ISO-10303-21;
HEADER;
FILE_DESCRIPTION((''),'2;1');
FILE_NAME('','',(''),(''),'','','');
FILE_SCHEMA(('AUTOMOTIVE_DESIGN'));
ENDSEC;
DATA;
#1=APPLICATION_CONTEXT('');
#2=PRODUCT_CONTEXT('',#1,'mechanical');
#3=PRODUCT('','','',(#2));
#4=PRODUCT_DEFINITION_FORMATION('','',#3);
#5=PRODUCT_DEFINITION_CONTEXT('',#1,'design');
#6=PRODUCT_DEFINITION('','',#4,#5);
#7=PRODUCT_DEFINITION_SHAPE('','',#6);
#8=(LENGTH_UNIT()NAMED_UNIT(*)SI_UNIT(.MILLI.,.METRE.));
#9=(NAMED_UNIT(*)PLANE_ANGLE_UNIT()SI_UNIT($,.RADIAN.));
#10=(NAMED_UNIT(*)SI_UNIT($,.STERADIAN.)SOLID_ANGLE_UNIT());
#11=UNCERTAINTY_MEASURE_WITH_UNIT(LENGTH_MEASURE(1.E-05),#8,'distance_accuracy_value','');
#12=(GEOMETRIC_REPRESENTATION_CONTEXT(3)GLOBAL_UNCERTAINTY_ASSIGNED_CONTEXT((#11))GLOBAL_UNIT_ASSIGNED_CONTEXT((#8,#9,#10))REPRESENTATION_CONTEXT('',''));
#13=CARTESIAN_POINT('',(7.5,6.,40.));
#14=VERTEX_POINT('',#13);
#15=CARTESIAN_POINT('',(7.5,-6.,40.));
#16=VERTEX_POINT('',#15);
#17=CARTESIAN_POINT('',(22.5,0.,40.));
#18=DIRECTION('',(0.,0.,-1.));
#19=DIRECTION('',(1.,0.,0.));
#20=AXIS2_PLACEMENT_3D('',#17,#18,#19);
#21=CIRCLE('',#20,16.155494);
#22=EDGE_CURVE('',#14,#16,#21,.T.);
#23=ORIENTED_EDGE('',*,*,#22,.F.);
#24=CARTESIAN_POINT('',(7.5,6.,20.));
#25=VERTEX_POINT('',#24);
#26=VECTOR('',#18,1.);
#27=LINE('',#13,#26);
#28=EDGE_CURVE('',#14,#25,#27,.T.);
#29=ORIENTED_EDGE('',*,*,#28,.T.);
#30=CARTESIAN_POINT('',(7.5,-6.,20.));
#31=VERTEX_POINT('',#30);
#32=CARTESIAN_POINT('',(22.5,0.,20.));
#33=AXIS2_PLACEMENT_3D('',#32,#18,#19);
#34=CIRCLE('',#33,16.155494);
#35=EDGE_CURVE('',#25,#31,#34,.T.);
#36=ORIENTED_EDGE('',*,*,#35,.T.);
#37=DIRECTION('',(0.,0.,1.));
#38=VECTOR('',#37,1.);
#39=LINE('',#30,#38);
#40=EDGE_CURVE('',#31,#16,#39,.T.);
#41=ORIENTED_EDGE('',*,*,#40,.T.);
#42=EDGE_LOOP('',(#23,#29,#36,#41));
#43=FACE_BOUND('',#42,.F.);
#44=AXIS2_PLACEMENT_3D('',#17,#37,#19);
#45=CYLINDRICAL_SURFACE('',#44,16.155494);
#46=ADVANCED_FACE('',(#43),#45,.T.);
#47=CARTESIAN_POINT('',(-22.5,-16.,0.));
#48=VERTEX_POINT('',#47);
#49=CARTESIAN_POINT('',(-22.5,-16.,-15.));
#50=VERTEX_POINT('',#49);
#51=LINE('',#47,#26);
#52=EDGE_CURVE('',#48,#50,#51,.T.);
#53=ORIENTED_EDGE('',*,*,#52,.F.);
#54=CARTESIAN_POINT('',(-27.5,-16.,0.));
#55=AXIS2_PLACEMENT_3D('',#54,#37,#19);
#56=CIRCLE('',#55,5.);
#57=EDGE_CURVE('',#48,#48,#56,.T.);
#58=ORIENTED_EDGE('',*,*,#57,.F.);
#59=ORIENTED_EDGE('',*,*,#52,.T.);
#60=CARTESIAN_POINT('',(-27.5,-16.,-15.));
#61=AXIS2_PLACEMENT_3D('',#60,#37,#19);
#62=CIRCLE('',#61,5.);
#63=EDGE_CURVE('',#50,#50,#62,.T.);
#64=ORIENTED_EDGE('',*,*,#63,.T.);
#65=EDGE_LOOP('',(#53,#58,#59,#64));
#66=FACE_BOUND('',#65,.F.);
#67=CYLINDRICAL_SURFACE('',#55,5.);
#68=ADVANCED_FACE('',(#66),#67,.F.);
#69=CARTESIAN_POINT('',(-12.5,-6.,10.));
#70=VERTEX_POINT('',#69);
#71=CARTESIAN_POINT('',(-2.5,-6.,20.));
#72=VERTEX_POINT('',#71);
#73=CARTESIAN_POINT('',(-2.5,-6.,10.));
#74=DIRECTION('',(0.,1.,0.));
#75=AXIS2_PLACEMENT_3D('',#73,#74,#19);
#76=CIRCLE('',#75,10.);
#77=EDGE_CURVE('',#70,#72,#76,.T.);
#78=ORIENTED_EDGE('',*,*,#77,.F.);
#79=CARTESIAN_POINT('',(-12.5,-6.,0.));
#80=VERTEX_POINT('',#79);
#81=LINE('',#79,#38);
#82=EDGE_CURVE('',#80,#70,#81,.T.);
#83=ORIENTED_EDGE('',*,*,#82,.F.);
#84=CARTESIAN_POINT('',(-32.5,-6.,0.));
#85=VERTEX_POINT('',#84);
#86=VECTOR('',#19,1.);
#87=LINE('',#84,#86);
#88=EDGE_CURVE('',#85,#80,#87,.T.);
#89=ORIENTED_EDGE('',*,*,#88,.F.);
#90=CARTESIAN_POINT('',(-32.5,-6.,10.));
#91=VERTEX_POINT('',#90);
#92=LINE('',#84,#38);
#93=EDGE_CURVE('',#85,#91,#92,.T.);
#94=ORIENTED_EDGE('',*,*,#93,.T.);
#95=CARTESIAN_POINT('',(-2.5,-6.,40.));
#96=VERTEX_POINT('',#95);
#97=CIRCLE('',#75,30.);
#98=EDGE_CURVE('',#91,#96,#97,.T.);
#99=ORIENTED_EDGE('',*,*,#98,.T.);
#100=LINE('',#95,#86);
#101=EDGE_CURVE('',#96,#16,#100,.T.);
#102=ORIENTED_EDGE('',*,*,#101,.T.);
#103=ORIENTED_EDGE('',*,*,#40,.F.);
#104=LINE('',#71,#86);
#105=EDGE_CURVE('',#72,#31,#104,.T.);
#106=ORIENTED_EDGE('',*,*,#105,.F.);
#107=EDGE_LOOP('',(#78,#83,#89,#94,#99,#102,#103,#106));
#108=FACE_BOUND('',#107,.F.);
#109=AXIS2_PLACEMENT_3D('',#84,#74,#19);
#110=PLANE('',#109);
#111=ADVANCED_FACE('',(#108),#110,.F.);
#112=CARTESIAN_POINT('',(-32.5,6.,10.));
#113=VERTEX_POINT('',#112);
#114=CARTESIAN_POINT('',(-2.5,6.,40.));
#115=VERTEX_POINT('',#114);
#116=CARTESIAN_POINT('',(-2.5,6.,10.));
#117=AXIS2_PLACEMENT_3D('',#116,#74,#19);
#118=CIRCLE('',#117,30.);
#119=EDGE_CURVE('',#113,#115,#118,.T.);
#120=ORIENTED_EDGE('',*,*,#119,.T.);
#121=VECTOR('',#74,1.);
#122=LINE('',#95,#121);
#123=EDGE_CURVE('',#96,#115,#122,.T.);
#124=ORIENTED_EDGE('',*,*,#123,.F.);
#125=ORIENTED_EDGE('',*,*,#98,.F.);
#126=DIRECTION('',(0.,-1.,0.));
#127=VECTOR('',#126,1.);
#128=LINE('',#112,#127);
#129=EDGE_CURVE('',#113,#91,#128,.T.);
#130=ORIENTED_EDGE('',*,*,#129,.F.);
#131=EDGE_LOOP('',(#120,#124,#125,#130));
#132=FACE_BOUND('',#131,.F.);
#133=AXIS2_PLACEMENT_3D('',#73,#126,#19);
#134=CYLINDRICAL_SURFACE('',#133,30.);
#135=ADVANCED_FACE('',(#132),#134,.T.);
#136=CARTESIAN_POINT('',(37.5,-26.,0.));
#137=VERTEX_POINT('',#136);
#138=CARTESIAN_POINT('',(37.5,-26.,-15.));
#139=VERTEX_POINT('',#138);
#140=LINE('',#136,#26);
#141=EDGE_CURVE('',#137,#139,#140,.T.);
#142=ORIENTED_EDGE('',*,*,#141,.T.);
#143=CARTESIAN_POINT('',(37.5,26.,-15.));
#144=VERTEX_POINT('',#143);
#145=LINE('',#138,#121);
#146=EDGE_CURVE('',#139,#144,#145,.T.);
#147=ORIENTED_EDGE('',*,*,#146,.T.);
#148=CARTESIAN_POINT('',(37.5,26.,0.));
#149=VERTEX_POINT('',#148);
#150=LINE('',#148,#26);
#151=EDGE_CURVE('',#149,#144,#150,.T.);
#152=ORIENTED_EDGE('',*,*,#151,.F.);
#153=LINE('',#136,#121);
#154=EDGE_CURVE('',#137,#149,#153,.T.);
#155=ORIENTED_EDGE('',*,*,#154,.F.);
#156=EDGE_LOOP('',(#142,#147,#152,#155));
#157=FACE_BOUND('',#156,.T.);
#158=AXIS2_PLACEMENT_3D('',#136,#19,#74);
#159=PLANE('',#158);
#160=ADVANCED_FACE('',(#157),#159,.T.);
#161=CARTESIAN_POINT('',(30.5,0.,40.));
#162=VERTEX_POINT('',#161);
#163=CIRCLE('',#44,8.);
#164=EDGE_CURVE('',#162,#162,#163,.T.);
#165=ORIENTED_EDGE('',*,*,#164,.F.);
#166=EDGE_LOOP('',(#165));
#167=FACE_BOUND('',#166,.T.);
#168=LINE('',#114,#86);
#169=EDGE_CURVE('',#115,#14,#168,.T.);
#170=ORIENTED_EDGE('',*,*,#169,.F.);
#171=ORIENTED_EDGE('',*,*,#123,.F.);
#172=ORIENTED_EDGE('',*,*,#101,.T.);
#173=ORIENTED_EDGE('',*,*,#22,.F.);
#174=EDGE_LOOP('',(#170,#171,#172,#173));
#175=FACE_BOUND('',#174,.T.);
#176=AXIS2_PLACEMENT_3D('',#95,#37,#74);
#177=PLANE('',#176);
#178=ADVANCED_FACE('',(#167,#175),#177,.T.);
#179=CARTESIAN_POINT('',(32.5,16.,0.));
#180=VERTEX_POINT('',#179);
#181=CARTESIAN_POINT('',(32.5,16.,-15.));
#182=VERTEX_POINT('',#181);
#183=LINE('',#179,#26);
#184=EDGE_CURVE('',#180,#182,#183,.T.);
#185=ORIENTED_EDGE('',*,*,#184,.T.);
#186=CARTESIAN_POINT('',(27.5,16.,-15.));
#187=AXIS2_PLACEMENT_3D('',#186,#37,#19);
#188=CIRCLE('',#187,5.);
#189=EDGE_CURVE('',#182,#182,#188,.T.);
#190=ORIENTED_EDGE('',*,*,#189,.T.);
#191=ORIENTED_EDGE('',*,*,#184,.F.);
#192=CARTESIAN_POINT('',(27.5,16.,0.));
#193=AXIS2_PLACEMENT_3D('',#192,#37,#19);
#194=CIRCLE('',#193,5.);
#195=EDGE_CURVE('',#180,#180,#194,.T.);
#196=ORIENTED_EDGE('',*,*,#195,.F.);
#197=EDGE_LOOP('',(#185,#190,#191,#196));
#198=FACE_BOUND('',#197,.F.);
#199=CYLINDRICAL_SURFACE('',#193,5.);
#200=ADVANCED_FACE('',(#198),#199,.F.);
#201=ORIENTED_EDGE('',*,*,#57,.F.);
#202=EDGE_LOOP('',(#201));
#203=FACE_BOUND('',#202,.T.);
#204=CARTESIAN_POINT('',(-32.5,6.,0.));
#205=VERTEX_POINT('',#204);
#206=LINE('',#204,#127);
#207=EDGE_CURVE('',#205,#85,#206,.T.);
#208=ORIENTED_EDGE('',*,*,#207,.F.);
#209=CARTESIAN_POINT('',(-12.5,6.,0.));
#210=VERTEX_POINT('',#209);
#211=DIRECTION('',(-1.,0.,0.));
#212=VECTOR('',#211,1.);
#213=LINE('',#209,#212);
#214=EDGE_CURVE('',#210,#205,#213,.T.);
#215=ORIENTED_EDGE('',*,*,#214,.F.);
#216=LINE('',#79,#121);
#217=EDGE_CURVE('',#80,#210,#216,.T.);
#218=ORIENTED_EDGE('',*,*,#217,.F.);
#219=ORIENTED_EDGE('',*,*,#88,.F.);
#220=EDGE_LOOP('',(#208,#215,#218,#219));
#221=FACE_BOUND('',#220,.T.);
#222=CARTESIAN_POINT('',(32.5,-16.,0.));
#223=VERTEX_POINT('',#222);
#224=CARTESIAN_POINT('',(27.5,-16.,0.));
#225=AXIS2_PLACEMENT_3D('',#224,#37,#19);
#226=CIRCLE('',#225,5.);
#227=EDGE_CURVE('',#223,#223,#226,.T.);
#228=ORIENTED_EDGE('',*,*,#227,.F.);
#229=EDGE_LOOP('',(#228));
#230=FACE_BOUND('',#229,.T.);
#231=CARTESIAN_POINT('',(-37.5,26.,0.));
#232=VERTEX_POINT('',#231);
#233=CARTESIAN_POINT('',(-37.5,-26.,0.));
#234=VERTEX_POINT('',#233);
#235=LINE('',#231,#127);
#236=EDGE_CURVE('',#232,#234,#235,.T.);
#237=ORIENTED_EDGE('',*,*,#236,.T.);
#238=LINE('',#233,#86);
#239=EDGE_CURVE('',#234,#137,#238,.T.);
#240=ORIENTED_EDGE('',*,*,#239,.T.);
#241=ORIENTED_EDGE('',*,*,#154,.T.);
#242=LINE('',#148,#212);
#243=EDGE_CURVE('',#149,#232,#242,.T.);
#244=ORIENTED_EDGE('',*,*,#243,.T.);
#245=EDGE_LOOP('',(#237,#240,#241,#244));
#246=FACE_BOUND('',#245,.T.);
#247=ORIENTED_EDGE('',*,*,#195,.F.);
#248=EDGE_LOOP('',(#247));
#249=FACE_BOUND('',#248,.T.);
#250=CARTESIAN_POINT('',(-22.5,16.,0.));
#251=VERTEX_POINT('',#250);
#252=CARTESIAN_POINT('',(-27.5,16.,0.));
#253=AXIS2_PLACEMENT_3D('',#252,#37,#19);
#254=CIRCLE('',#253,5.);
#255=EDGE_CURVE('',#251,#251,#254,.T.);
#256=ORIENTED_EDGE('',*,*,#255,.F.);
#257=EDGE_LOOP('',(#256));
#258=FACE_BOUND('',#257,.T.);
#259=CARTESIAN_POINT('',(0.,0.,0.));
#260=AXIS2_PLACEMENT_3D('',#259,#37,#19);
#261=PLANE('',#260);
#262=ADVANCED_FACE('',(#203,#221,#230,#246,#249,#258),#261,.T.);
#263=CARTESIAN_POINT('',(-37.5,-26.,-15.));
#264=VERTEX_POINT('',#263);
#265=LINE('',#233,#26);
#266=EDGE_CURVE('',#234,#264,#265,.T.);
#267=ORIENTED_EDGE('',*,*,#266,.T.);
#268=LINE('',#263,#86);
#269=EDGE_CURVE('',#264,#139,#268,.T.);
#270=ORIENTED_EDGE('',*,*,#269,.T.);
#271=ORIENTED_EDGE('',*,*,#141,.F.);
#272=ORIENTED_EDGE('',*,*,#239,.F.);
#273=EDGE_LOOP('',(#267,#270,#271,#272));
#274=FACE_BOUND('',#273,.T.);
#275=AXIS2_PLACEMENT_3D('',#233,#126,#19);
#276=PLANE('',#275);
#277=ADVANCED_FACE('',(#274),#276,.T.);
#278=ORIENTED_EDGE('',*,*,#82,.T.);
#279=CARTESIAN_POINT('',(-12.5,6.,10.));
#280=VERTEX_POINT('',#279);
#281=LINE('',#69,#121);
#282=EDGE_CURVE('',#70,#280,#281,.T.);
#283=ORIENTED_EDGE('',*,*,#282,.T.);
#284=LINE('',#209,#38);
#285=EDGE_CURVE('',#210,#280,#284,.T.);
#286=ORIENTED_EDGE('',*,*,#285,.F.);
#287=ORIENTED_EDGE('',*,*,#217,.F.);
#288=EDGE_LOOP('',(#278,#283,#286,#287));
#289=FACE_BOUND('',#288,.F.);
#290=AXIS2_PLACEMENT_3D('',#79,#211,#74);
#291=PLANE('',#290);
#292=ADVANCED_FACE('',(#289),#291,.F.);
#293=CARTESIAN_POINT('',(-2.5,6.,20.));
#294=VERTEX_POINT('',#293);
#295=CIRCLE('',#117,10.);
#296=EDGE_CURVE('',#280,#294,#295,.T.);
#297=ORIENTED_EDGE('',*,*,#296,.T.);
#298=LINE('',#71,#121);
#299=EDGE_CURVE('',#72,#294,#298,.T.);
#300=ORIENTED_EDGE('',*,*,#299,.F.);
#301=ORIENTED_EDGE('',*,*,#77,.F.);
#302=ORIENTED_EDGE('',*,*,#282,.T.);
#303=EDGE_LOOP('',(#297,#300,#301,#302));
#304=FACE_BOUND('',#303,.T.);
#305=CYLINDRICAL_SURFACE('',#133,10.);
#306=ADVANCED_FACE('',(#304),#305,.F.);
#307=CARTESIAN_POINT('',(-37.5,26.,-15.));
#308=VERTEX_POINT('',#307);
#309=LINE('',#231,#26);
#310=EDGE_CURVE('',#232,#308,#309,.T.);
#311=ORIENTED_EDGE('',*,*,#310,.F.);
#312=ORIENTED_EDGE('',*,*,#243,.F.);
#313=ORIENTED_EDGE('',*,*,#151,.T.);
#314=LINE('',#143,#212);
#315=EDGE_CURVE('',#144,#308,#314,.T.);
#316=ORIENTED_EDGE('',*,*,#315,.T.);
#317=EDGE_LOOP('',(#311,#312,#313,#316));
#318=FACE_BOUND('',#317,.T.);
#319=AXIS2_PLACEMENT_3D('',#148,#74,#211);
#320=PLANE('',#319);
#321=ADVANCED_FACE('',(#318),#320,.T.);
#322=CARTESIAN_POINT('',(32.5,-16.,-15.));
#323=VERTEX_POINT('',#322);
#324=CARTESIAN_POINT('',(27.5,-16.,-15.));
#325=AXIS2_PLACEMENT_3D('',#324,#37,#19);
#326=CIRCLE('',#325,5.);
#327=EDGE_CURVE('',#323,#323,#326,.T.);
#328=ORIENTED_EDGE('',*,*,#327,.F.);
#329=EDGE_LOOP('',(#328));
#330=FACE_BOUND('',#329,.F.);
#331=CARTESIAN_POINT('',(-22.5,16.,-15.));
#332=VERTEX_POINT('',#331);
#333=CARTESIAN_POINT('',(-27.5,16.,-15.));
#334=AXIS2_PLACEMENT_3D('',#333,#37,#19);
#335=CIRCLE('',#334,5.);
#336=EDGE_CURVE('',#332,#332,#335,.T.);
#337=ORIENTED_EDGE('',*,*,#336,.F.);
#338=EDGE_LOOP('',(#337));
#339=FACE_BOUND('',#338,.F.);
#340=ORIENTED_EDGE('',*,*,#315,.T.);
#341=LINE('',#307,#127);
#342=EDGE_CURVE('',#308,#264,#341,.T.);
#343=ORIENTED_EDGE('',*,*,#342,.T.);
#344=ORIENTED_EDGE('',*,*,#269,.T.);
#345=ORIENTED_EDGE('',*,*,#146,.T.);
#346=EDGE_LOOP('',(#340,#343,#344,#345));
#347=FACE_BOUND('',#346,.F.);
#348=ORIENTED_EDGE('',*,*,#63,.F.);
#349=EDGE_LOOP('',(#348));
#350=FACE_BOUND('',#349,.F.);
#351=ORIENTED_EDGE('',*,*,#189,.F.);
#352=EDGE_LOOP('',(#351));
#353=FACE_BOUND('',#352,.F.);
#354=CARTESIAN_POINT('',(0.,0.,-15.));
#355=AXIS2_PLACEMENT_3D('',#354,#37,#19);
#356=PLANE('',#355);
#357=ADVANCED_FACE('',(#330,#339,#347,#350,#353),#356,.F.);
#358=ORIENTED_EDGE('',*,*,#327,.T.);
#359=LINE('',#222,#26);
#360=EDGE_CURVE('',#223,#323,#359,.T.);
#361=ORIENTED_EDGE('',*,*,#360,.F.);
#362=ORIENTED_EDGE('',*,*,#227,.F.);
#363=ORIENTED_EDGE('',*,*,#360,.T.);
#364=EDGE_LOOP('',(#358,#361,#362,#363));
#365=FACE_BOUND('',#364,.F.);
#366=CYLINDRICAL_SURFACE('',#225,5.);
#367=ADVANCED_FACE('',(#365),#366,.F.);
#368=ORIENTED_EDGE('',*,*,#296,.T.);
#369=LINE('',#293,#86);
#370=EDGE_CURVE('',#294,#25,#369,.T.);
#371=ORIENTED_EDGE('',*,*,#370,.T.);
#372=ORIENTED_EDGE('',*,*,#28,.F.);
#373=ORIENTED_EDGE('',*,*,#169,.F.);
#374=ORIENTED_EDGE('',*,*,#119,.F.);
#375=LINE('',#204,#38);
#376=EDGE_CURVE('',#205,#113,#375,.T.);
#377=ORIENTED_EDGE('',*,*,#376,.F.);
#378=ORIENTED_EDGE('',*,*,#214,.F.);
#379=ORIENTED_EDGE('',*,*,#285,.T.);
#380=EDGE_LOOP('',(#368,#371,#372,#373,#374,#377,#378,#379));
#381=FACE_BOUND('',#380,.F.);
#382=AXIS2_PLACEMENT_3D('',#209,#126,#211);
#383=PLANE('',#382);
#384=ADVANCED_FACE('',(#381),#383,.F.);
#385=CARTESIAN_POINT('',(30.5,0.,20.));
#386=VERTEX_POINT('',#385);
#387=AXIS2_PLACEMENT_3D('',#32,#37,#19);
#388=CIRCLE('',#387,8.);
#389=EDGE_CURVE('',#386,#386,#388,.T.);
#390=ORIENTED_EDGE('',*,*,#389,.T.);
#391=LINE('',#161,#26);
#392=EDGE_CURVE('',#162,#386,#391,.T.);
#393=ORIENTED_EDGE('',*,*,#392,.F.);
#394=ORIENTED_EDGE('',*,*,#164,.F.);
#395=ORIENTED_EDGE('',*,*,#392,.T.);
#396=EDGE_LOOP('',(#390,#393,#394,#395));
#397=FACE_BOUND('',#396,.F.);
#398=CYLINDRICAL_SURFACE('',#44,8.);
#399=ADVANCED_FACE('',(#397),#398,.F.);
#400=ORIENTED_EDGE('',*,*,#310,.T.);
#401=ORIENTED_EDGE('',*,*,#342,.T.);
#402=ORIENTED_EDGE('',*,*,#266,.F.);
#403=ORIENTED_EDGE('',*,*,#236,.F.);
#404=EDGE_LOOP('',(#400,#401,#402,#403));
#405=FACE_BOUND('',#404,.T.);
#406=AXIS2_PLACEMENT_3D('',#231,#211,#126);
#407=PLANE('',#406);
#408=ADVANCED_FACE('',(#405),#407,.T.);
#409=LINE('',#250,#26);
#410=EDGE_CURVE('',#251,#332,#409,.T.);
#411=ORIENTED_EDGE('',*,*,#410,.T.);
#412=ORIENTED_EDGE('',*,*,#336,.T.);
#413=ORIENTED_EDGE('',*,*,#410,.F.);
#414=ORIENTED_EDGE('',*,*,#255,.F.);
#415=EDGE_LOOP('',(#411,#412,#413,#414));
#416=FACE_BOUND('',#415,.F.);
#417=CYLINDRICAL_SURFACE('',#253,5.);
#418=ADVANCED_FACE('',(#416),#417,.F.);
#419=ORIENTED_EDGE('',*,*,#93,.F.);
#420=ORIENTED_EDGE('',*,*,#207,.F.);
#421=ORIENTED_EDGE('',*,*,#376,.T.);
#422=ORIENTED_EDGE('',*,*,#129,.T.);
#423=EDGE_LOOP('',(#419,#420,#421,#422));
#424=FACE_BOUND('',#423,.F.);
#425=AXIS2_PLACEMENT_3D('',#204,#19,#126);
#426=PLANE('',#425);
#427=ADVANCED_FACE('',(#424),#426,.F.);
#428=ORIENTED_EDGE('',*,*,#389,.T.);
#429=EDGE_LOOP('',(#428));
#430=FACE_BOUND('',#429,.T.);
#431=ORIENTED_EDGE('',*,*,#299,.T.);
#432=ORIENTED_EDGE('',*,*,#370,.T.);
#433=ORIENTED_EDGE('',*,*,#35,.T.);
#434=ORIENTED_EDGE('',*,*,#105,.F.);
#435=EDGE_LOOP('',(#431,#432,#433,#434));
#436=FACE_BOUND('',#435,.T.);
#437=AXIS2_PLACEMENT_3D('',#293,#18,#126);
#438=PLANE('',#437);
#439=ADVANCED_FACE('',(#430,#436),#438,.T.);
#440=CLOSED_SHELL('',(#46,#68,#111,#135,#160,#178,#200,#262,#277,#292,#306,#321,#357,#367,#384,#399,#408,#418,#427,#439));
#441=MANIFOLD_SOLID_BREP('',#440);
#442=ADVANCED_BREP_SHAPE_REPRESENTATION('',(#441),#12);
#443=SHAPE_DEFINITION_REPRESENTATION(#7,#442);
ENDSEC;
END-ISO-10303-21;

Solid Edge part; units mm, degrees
sketch "Sketch1" plane through (0, 0, 0) normal (0, 0, 1) x (1, 0, 0)
  circle A0 centre (-27.5, 16) radius 5
  line L0 (37.5, 26) -> (-37.5, 26)
  line L1 (-37.5, 26) -> (-37.5, -26)
  line L2 (-37.5, -26) -> (37.5, -26)
  line L3 (37.5, -26) -> (37.5, 26)
  circle A1 centre (27.5, -16) radius 5
  circle A2 centre (27.5, 16) radius 5
  circle A3 centre (-27.5, -16) radius 5
extrude "Protrusion1" add sketch "Sketch1" against normal blind 15
sketch "Sketch2" plane through (0, 0, 0) normal (0, 0, 1) x (1, 0, 0)
  line L0 (-12.5, 6) -> (-32.5, 6)
  line L1 (-32.5, 6) -> (-32.5, -6)
  line L2 (-32.5, -6) -> (-12.5, -6)
  line L3 (-12.5, -6) -> (-12.5, 6)
extrude "ExtrudedProtrusion_2" add sketch "Sketch2" along normal blind 10
sketch "Sketch3" plane through (-22.5, -6, 5) normal (0, -1, 0) x (1, 0, 0)
  line L0 (20, 15) -> (20, 35)
  line L1 (10, 5) -> (-10, 5)
  arc A0 (-10, 5) -> (20, 35) centre (20, 5) cw
  arc A1 (10, 5) -> (20, 15) centre (20, 5) cw
extrude "ExtrudedProtrusion_3" add sketch "Sketch3" against normal blind 12
sketch "Sketch4" plane through (-2.5, 0, 30) normal (1, 0, 0) x (0, 1, 0)
  line L0 (6, 10) -> (6, -10)
  line L1 (6, -10) -> (-6, -10)
  line L2 (-6, -10) -> (-6, 10)
  line L3 (-6, 10) -> (6, 10)
extrude "ExtrudedProtrusion_4" add sketch "Sketch4" along normal blind 10
sketch "Sketch5" plane through (2.5, 0, 40) normal (0, 0, 1) x (1, 0, 0)
  line L0 (5, 6) -> (5, -6)
  arc A0 (5, 6) -> (5, -6) centre (20, 0) cw
  circle A1 centre (20, 0) radius 8
extrude "Protrusion2" add sketch "Sketch5" against normal up to vertex (20 mm away)
